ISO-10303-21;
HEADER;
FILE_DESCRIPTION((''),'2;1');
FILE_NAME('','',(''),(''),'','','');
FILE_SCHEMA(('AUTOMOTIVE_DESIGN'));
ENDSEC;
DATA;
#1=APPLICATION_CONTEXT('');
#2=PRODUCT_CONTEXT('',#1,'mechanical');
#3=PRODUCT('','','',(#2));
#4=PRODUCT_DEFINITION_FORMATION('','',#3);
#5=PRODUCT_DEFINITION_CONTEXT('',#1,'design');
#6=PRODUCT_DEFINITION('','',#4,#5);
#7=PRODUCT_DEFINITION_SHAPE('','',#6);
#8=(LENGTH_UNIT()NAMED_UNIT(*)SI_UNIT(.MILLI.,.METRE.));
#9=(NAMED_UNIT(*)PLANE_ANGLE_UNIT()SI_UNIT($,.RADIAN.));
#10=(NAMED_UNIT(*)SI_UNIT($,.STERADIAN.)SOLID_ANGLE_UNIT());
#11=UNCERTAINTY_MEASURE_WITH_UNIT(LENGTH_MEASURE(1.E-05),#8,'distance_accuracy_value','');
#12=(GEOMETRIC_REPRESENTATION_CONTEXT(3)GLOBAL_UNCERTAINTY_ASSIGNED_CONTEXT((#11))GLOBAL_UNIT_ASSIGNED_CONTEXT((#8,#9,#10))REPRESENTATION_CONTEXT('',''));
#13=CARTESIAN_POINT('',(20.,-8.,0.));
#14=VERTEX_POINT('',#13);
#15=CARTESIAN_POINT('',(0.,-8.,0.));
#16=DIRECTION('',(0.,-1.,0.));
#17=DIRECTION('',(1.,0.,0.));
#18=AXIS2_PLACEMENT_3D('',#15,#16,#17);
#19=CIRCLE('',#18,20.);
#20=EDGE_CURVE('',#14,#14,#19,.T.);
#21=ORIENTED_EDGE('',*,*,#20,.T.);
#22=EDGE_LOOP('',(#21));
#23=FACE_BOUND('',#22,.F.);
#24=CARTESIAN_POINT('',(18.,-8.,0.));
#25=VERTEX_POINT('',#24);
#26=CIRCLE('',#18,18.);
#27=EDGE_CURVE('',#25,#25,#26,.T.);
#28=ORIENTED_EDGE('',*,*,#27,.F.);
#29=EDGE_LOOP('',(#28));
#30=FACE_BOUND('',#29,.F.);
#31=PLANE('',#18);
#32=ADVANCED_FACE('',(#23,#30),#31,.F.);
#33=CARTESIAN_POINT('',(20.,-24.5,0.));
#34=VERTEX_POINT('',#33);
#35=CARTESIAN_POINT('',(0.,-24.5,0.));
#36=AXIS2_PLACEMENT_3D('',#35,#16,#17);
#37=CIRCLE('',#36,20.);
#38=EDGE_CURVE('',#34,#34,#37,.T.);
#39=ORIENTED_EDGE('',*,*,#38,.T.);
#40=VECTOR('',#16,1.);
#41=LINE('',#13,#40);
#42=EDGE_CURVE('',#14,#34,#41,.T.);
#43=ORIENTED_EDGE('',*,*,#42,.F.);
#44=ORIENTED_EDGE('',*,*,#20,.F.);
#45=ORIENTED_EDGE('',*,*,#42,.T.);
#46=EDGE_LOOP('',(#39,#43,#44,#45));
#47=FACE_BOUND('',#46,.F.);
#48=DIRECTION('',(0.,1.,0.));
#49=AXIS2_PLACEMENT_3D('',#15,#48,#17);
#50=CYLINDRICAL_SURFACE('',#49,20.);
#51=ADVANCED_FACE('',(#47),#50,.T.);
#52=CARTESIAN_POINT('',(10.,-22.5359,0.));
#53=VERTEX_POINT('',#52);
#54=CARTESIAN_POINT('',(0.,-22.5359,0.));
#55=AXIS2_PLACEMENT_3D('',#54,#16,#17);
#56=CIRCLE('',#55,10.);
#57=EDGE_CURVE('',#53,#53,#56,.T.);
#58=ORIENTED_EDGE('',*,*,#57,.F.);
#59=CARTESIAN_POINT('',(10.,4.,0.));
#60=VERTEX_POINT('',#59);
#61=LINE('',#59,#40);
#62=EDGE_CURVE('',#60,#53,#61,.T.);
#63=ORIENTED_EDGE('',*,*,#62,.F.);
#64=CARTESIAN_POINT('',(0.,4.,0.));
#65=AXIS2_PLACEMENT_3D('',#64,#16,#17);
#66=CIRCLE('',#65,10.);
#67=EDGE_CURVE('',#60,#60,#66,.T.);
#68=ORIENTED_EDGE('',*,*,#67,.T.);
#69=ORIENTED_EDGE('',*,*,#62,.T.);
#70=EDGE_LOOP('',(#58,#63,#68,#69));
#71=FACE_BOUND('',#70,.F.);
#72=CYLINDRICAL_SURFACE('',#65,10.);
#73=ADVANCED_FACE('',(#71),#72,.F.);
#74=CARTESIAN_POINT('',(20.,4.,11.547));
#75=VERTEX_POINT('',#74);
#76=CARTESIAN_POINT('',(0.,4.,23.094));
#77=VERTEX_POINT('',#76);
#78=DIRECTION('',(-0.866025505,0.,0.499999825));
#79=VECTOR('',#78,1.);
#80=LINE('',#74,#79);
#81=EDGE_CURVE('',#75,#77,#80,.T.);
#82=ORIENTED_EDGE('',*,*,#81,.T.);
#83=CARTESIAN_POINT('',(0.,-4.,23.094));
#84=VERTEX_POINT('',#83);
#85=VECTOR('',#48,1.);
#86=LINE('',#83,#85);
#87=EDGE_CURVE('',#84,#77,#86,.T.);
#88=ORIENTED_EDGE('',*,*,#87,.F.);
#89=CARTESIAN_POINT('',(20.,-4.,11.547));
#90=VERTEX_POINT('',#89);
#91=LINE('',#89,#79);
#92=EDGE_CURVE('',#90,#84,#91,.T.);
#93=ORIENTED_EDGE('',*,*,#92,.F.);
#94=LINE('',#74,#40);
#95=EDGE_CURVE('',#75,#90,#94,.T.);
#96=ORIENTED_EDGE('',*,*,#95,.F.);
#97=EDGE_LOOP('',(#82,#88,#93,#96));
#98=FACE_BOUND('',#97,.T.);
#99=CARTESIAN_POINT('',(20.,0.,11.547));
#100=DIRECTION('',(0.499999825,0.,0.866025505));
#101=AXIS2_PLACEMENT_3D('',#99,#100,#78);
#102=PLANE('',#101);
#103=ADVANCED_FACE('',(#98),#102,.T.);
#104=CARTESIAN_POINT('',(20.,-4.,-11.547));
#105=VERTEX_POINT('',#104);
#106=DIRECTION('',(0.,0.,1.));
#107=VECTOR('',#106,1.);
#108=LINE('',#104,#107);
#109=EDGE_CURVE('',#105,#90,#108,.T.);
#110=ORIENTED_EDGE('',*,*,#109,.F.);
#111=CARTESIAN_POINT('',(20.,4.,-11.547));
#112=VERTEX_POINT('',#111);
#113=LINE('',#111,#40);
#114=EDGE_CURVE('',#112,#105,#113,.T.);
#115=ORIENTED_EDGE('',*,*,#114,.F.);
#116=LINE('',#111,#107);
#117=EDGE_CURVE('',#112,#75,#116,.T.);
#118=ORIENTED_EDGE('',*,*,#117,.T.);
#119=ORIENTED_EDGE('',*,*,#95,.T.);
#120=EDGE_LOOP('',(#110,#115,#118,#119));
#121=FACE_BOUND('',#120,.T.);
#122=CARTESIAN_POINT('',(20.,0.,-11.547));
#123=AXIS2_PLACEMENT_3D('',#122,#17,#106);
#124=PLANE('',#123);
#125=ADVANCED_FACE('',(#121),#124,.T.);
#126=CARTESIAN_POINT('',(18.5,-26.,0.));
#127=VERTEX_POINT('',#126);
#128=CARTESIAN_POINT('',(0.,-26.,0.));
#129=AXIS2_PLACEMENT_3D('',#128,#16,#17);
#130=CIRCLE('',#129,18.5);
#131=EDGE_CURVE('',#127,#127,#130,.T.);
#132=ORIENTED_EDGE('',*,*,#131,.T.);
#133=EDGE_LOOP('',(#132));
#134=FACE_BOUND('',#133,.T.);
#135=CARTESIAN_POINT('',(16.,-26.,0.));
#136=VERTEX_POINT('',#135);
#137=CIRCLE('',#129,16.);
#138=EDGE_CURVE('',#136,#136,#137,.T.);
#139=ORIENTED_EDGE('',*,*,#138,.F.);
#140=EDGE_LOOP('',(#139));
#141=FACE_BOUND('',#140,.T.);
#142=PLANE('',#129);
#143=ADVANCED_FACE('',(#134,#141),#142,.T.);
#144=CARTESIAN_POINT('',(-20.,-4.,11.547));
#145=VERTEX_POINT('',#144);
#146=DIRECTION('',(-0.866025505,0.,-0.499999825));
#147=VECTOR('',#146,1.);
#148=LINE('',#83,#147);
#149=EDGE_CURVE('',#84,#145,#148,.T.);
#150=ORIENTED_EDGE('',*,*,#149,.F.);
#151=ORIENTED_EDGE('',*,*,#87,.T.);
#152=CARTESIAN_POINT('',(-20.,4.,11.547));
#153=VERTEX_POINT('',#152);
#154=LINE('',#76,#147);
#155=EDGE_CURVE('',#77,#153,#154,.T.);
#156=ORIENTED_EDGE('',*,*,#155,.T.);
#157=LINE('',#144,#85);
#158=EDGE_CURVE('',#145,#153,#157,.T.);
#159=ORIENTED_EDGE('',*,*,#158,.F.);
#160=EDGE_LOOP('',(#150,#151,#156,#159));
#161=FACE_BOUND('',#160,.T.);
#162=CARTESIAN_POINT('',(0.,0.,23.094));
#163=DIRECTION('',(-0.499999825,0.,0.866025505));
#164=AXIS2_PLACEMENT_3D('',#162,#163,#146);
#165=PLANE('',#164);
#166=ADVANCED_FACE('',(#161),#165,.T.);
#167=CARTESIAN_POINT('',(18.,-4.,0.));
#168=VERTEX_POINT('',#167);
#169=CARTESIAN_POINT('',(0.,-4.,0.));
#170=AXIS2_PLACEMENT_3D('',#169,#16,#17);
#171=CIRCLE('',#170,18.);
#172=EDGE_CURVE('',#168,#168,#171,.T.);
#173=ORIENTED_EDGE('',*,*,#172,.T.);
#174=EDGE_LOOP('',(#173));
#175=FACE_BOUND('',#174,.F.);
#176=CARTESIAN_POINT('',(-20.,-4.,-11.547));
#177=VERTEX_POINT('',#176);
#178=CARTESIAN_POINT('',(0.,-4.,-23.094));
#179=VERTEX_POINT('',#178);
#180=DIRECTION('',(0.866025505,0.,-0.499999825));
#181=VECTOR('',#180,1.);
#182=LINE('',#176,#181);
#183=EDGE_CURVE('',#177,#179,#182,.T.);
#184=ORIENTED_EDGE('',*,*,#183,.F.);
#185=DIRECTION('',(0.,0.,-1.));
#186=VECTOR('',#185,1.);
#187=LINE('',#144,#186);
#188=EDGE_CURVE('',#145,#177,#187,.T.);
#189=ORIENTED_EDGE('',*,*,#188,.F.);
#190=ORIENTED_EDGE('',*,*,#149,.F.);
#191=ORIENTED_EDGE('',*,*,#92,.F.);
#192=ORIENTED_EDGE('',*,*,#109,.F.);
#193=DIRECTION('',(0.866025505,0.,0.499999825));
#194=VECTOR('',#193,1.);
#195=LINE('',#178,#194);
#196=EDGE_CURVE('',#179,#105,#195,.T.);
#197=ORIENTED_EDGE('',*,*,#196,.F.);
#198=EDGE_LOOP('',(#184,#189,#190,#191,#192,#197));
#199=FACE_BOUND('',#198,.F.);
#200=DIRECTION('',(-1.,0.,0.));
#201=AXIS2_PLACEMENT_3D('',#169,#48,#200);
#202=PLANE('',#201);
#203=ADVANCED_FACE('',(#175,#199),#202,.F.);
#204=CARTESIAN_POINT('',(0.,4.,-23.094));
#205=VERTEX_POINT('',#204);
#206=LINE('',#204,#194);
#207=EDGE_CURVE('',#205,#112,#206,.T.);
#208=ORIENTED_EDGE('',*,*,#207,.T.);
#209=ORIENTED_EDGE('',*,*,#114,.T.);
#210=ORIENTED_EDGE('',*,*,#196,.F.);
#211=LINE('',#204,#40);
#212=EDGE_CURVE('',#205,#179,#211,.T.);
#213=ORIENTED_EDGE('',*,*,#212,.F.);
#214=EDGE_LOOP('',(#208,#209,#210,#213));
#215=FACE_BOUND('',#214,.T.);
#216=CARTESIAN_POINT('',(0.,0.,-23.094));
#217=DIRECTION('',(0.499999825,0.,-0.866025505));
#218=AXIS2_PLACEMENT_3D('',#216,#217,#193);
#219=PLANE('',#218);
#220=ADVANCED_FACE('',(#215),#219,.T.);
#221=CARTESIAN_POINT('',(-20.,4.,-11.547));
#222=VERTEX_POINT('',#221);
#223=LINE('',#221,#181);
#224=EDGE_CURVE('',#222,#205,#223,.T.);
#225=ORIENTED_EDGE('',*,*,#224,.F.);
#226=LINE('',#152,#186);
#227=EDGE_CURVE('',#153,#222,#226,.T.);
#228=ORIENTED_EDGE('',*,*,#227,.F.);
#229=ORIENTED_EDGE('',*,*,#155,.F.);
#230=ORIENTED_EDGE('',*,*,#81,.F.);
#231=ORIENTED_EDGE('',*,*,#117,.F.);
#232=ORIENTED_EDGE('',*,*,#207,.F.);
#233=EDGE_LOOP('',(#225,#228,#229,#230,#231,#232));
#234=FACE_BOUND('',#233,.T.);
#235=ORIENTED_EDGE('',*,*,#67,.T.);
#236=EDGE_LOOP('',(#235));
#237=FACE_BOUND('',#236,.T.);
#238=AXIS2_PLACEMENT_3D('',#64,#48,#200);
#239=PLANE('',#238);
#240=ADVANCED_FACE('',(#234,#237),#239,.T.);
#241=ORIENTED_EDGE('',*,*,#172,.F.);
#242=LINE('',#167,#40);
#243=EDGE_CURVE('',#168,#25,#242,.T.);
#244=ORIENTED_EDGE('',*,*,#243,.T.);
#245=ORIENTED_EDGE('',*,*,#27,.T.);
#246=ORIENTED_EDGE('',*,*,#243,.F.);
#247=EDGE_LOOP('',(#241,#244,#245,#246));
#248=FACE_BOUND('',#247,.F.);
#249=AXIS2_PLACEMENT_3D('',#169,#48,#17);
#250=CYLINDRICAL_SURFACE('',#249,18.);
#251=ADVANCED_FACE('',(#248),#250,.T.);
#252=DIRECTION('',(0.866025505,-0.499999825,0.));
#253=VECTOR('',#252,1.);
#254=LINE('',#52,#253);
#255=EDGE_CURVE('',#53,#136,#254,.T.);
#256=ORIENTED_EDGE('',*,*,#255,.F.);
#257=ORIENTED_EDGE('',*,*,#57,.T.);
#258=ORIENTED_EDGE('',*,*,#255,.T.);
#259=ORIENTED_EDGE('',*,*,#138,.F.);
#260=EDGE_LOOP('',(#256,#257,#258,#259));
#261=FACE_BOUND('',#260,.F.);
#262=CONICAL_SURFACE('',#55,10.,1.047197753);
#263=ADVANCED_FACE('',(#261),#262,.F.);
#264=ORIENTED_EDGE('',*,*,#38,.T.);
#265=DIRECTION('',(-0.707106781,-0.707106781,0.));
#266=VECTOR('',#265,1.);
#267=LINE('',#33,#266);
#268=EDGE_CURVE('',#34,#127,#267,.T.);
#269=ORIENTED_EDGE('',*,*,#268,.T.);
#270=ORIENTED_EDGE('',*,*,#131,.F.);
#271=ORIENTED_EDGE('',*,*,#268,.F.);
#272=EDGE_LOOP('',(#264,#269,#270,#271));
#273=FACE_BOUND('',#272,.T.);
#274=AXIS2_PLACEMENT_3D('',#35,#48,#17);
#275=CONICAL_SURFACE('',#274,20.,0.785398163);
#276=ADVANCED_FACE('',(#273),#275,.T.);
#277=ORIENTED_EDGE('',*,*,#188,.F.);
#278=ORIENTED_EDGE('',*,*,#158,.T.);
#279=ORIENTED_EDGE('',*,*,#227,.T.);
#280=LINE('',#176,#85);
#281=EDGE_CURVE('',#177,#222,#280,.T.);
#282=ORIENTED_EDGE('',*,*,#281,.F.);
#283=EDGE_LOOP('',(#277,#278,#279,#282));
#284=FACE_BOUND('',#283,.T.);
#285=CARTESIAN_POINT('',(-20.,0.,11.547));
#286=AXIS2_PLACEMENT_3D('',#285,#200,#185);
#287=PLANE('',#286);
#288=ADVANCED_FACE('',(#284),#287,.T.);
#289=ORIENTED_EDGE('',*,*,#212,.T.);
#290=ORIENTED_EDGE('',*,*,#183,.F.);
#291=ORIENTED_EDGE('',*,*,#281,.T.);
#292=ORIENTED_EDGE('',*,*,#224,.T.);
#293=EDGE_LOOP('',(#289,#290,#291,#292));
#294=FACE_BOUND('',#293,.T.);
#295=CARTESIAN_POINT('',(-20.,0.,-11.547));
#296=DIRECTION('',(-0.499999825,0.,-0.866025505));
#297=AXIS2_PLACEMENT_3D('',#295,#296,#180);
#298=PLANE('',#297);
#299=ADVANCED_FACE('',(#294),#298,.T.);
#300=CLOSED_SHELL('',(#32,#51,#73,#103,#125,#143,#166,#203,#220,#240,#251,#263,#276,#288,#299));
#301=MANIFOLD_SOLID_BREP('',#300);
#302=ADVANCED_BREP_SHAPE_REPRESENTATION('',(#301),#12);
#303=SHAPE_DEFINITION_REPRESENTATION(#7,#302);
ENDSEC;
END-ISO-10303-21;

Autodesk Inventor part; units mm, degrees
ref_plane "YZ Plane" through (0, 0, 0) normal (1, 0, 0) x (0, 1, 0)
ref_plane "XZ Plane" through (0, 0, 0) normal (0, 1, 0) x (-1, 0, 0)
ref_plane "XY Plane" through (0, 0, 0) normal (0, 0, 1) x (1, 0, 0)
sketch "草图1" plane through (0, 0, 0) normal (0, 1, 0) x (-1, 0, 0)
  line L0 (20, -11.547) -> (0, -23.094)
  line L1 (0, -23.094) -> (-20, -11.547)
  line L2 (-20, -11.547) -> (-20, 11.547)
  line L3 (-20, 11.547) -> (0, 23.094)
  line L4 (0, 23.094) -> (20, 11.547)
  line L5 (20, 11.547) -> (20, -11.547)
  point P0 (0, 0)
  point P1 (0, 0)
  dimension "d0" = 40
extrude "拉伸1" add sketch "草图1" along normal mid plane 8
sketch "草图4" plane through (0, -4, 0) normal (0, -1, 0) x (1, 0, 0)
  circle A0 centre (0, 0) radius 18
  dimension "d18" = 36
extrude "拉伸3" add sketch "草图4" along normal blind 4
sketch "草图5" plane through (0, -8, 0) normal (0, -1, 0) x (1, 0, 0)
  circle A0 centre (0, 0) radius 20
  dimension "d21" = 40
extrude "拉伸4" add sketch "草图5" along normal blind 18
thread "螺纹1" size "M40x3" class "6g" standard "GB Metric profile" full length
sketch "草图6" plane through (0, 0, 0) normal (0, 0, 1) x (1, 0, 0)
  line L0 (0, 4) -> (20, 4) projected
  line L1 (-20, -26) -> (20, -26) projected
  line L2 (0, 11.1674) -> (0, -43.9009)
  line L3 (10, -22.5359) -> (16, -26)
  line L4 (10, 4) -> (10, -22.5359)
  line L5 (20, -4) -> (20, 4) projected
  line L6 (0, 4) -> (20, 4) projected
  line L7 (0, -4) -> (0, 4) projected
  line L8 (20, -4) -> (0, -4) projected
  line L9 (-20, -26) -> (20, -26) projected
  line L10 (-20, -8) -> (20, -8) projected
  point P0 (0, 0)
  point P1 (0, -26)
  dimension "d28" = 60
  dimension "d29" = 16
revolve "旋转2" cut sketch "草图6" angle 360 about axis through (0, 11.1674, 0) along (0, -1, 0) contours L0 L4 L8 L2 | L8 L4 L10 L2 | L10 L4 L3 L1 L2
chamfer "倒角2" distance 1.5 angle 45 1 edges at (-20, -26, 0)
properties part number "螺套" material "不锈钢"
